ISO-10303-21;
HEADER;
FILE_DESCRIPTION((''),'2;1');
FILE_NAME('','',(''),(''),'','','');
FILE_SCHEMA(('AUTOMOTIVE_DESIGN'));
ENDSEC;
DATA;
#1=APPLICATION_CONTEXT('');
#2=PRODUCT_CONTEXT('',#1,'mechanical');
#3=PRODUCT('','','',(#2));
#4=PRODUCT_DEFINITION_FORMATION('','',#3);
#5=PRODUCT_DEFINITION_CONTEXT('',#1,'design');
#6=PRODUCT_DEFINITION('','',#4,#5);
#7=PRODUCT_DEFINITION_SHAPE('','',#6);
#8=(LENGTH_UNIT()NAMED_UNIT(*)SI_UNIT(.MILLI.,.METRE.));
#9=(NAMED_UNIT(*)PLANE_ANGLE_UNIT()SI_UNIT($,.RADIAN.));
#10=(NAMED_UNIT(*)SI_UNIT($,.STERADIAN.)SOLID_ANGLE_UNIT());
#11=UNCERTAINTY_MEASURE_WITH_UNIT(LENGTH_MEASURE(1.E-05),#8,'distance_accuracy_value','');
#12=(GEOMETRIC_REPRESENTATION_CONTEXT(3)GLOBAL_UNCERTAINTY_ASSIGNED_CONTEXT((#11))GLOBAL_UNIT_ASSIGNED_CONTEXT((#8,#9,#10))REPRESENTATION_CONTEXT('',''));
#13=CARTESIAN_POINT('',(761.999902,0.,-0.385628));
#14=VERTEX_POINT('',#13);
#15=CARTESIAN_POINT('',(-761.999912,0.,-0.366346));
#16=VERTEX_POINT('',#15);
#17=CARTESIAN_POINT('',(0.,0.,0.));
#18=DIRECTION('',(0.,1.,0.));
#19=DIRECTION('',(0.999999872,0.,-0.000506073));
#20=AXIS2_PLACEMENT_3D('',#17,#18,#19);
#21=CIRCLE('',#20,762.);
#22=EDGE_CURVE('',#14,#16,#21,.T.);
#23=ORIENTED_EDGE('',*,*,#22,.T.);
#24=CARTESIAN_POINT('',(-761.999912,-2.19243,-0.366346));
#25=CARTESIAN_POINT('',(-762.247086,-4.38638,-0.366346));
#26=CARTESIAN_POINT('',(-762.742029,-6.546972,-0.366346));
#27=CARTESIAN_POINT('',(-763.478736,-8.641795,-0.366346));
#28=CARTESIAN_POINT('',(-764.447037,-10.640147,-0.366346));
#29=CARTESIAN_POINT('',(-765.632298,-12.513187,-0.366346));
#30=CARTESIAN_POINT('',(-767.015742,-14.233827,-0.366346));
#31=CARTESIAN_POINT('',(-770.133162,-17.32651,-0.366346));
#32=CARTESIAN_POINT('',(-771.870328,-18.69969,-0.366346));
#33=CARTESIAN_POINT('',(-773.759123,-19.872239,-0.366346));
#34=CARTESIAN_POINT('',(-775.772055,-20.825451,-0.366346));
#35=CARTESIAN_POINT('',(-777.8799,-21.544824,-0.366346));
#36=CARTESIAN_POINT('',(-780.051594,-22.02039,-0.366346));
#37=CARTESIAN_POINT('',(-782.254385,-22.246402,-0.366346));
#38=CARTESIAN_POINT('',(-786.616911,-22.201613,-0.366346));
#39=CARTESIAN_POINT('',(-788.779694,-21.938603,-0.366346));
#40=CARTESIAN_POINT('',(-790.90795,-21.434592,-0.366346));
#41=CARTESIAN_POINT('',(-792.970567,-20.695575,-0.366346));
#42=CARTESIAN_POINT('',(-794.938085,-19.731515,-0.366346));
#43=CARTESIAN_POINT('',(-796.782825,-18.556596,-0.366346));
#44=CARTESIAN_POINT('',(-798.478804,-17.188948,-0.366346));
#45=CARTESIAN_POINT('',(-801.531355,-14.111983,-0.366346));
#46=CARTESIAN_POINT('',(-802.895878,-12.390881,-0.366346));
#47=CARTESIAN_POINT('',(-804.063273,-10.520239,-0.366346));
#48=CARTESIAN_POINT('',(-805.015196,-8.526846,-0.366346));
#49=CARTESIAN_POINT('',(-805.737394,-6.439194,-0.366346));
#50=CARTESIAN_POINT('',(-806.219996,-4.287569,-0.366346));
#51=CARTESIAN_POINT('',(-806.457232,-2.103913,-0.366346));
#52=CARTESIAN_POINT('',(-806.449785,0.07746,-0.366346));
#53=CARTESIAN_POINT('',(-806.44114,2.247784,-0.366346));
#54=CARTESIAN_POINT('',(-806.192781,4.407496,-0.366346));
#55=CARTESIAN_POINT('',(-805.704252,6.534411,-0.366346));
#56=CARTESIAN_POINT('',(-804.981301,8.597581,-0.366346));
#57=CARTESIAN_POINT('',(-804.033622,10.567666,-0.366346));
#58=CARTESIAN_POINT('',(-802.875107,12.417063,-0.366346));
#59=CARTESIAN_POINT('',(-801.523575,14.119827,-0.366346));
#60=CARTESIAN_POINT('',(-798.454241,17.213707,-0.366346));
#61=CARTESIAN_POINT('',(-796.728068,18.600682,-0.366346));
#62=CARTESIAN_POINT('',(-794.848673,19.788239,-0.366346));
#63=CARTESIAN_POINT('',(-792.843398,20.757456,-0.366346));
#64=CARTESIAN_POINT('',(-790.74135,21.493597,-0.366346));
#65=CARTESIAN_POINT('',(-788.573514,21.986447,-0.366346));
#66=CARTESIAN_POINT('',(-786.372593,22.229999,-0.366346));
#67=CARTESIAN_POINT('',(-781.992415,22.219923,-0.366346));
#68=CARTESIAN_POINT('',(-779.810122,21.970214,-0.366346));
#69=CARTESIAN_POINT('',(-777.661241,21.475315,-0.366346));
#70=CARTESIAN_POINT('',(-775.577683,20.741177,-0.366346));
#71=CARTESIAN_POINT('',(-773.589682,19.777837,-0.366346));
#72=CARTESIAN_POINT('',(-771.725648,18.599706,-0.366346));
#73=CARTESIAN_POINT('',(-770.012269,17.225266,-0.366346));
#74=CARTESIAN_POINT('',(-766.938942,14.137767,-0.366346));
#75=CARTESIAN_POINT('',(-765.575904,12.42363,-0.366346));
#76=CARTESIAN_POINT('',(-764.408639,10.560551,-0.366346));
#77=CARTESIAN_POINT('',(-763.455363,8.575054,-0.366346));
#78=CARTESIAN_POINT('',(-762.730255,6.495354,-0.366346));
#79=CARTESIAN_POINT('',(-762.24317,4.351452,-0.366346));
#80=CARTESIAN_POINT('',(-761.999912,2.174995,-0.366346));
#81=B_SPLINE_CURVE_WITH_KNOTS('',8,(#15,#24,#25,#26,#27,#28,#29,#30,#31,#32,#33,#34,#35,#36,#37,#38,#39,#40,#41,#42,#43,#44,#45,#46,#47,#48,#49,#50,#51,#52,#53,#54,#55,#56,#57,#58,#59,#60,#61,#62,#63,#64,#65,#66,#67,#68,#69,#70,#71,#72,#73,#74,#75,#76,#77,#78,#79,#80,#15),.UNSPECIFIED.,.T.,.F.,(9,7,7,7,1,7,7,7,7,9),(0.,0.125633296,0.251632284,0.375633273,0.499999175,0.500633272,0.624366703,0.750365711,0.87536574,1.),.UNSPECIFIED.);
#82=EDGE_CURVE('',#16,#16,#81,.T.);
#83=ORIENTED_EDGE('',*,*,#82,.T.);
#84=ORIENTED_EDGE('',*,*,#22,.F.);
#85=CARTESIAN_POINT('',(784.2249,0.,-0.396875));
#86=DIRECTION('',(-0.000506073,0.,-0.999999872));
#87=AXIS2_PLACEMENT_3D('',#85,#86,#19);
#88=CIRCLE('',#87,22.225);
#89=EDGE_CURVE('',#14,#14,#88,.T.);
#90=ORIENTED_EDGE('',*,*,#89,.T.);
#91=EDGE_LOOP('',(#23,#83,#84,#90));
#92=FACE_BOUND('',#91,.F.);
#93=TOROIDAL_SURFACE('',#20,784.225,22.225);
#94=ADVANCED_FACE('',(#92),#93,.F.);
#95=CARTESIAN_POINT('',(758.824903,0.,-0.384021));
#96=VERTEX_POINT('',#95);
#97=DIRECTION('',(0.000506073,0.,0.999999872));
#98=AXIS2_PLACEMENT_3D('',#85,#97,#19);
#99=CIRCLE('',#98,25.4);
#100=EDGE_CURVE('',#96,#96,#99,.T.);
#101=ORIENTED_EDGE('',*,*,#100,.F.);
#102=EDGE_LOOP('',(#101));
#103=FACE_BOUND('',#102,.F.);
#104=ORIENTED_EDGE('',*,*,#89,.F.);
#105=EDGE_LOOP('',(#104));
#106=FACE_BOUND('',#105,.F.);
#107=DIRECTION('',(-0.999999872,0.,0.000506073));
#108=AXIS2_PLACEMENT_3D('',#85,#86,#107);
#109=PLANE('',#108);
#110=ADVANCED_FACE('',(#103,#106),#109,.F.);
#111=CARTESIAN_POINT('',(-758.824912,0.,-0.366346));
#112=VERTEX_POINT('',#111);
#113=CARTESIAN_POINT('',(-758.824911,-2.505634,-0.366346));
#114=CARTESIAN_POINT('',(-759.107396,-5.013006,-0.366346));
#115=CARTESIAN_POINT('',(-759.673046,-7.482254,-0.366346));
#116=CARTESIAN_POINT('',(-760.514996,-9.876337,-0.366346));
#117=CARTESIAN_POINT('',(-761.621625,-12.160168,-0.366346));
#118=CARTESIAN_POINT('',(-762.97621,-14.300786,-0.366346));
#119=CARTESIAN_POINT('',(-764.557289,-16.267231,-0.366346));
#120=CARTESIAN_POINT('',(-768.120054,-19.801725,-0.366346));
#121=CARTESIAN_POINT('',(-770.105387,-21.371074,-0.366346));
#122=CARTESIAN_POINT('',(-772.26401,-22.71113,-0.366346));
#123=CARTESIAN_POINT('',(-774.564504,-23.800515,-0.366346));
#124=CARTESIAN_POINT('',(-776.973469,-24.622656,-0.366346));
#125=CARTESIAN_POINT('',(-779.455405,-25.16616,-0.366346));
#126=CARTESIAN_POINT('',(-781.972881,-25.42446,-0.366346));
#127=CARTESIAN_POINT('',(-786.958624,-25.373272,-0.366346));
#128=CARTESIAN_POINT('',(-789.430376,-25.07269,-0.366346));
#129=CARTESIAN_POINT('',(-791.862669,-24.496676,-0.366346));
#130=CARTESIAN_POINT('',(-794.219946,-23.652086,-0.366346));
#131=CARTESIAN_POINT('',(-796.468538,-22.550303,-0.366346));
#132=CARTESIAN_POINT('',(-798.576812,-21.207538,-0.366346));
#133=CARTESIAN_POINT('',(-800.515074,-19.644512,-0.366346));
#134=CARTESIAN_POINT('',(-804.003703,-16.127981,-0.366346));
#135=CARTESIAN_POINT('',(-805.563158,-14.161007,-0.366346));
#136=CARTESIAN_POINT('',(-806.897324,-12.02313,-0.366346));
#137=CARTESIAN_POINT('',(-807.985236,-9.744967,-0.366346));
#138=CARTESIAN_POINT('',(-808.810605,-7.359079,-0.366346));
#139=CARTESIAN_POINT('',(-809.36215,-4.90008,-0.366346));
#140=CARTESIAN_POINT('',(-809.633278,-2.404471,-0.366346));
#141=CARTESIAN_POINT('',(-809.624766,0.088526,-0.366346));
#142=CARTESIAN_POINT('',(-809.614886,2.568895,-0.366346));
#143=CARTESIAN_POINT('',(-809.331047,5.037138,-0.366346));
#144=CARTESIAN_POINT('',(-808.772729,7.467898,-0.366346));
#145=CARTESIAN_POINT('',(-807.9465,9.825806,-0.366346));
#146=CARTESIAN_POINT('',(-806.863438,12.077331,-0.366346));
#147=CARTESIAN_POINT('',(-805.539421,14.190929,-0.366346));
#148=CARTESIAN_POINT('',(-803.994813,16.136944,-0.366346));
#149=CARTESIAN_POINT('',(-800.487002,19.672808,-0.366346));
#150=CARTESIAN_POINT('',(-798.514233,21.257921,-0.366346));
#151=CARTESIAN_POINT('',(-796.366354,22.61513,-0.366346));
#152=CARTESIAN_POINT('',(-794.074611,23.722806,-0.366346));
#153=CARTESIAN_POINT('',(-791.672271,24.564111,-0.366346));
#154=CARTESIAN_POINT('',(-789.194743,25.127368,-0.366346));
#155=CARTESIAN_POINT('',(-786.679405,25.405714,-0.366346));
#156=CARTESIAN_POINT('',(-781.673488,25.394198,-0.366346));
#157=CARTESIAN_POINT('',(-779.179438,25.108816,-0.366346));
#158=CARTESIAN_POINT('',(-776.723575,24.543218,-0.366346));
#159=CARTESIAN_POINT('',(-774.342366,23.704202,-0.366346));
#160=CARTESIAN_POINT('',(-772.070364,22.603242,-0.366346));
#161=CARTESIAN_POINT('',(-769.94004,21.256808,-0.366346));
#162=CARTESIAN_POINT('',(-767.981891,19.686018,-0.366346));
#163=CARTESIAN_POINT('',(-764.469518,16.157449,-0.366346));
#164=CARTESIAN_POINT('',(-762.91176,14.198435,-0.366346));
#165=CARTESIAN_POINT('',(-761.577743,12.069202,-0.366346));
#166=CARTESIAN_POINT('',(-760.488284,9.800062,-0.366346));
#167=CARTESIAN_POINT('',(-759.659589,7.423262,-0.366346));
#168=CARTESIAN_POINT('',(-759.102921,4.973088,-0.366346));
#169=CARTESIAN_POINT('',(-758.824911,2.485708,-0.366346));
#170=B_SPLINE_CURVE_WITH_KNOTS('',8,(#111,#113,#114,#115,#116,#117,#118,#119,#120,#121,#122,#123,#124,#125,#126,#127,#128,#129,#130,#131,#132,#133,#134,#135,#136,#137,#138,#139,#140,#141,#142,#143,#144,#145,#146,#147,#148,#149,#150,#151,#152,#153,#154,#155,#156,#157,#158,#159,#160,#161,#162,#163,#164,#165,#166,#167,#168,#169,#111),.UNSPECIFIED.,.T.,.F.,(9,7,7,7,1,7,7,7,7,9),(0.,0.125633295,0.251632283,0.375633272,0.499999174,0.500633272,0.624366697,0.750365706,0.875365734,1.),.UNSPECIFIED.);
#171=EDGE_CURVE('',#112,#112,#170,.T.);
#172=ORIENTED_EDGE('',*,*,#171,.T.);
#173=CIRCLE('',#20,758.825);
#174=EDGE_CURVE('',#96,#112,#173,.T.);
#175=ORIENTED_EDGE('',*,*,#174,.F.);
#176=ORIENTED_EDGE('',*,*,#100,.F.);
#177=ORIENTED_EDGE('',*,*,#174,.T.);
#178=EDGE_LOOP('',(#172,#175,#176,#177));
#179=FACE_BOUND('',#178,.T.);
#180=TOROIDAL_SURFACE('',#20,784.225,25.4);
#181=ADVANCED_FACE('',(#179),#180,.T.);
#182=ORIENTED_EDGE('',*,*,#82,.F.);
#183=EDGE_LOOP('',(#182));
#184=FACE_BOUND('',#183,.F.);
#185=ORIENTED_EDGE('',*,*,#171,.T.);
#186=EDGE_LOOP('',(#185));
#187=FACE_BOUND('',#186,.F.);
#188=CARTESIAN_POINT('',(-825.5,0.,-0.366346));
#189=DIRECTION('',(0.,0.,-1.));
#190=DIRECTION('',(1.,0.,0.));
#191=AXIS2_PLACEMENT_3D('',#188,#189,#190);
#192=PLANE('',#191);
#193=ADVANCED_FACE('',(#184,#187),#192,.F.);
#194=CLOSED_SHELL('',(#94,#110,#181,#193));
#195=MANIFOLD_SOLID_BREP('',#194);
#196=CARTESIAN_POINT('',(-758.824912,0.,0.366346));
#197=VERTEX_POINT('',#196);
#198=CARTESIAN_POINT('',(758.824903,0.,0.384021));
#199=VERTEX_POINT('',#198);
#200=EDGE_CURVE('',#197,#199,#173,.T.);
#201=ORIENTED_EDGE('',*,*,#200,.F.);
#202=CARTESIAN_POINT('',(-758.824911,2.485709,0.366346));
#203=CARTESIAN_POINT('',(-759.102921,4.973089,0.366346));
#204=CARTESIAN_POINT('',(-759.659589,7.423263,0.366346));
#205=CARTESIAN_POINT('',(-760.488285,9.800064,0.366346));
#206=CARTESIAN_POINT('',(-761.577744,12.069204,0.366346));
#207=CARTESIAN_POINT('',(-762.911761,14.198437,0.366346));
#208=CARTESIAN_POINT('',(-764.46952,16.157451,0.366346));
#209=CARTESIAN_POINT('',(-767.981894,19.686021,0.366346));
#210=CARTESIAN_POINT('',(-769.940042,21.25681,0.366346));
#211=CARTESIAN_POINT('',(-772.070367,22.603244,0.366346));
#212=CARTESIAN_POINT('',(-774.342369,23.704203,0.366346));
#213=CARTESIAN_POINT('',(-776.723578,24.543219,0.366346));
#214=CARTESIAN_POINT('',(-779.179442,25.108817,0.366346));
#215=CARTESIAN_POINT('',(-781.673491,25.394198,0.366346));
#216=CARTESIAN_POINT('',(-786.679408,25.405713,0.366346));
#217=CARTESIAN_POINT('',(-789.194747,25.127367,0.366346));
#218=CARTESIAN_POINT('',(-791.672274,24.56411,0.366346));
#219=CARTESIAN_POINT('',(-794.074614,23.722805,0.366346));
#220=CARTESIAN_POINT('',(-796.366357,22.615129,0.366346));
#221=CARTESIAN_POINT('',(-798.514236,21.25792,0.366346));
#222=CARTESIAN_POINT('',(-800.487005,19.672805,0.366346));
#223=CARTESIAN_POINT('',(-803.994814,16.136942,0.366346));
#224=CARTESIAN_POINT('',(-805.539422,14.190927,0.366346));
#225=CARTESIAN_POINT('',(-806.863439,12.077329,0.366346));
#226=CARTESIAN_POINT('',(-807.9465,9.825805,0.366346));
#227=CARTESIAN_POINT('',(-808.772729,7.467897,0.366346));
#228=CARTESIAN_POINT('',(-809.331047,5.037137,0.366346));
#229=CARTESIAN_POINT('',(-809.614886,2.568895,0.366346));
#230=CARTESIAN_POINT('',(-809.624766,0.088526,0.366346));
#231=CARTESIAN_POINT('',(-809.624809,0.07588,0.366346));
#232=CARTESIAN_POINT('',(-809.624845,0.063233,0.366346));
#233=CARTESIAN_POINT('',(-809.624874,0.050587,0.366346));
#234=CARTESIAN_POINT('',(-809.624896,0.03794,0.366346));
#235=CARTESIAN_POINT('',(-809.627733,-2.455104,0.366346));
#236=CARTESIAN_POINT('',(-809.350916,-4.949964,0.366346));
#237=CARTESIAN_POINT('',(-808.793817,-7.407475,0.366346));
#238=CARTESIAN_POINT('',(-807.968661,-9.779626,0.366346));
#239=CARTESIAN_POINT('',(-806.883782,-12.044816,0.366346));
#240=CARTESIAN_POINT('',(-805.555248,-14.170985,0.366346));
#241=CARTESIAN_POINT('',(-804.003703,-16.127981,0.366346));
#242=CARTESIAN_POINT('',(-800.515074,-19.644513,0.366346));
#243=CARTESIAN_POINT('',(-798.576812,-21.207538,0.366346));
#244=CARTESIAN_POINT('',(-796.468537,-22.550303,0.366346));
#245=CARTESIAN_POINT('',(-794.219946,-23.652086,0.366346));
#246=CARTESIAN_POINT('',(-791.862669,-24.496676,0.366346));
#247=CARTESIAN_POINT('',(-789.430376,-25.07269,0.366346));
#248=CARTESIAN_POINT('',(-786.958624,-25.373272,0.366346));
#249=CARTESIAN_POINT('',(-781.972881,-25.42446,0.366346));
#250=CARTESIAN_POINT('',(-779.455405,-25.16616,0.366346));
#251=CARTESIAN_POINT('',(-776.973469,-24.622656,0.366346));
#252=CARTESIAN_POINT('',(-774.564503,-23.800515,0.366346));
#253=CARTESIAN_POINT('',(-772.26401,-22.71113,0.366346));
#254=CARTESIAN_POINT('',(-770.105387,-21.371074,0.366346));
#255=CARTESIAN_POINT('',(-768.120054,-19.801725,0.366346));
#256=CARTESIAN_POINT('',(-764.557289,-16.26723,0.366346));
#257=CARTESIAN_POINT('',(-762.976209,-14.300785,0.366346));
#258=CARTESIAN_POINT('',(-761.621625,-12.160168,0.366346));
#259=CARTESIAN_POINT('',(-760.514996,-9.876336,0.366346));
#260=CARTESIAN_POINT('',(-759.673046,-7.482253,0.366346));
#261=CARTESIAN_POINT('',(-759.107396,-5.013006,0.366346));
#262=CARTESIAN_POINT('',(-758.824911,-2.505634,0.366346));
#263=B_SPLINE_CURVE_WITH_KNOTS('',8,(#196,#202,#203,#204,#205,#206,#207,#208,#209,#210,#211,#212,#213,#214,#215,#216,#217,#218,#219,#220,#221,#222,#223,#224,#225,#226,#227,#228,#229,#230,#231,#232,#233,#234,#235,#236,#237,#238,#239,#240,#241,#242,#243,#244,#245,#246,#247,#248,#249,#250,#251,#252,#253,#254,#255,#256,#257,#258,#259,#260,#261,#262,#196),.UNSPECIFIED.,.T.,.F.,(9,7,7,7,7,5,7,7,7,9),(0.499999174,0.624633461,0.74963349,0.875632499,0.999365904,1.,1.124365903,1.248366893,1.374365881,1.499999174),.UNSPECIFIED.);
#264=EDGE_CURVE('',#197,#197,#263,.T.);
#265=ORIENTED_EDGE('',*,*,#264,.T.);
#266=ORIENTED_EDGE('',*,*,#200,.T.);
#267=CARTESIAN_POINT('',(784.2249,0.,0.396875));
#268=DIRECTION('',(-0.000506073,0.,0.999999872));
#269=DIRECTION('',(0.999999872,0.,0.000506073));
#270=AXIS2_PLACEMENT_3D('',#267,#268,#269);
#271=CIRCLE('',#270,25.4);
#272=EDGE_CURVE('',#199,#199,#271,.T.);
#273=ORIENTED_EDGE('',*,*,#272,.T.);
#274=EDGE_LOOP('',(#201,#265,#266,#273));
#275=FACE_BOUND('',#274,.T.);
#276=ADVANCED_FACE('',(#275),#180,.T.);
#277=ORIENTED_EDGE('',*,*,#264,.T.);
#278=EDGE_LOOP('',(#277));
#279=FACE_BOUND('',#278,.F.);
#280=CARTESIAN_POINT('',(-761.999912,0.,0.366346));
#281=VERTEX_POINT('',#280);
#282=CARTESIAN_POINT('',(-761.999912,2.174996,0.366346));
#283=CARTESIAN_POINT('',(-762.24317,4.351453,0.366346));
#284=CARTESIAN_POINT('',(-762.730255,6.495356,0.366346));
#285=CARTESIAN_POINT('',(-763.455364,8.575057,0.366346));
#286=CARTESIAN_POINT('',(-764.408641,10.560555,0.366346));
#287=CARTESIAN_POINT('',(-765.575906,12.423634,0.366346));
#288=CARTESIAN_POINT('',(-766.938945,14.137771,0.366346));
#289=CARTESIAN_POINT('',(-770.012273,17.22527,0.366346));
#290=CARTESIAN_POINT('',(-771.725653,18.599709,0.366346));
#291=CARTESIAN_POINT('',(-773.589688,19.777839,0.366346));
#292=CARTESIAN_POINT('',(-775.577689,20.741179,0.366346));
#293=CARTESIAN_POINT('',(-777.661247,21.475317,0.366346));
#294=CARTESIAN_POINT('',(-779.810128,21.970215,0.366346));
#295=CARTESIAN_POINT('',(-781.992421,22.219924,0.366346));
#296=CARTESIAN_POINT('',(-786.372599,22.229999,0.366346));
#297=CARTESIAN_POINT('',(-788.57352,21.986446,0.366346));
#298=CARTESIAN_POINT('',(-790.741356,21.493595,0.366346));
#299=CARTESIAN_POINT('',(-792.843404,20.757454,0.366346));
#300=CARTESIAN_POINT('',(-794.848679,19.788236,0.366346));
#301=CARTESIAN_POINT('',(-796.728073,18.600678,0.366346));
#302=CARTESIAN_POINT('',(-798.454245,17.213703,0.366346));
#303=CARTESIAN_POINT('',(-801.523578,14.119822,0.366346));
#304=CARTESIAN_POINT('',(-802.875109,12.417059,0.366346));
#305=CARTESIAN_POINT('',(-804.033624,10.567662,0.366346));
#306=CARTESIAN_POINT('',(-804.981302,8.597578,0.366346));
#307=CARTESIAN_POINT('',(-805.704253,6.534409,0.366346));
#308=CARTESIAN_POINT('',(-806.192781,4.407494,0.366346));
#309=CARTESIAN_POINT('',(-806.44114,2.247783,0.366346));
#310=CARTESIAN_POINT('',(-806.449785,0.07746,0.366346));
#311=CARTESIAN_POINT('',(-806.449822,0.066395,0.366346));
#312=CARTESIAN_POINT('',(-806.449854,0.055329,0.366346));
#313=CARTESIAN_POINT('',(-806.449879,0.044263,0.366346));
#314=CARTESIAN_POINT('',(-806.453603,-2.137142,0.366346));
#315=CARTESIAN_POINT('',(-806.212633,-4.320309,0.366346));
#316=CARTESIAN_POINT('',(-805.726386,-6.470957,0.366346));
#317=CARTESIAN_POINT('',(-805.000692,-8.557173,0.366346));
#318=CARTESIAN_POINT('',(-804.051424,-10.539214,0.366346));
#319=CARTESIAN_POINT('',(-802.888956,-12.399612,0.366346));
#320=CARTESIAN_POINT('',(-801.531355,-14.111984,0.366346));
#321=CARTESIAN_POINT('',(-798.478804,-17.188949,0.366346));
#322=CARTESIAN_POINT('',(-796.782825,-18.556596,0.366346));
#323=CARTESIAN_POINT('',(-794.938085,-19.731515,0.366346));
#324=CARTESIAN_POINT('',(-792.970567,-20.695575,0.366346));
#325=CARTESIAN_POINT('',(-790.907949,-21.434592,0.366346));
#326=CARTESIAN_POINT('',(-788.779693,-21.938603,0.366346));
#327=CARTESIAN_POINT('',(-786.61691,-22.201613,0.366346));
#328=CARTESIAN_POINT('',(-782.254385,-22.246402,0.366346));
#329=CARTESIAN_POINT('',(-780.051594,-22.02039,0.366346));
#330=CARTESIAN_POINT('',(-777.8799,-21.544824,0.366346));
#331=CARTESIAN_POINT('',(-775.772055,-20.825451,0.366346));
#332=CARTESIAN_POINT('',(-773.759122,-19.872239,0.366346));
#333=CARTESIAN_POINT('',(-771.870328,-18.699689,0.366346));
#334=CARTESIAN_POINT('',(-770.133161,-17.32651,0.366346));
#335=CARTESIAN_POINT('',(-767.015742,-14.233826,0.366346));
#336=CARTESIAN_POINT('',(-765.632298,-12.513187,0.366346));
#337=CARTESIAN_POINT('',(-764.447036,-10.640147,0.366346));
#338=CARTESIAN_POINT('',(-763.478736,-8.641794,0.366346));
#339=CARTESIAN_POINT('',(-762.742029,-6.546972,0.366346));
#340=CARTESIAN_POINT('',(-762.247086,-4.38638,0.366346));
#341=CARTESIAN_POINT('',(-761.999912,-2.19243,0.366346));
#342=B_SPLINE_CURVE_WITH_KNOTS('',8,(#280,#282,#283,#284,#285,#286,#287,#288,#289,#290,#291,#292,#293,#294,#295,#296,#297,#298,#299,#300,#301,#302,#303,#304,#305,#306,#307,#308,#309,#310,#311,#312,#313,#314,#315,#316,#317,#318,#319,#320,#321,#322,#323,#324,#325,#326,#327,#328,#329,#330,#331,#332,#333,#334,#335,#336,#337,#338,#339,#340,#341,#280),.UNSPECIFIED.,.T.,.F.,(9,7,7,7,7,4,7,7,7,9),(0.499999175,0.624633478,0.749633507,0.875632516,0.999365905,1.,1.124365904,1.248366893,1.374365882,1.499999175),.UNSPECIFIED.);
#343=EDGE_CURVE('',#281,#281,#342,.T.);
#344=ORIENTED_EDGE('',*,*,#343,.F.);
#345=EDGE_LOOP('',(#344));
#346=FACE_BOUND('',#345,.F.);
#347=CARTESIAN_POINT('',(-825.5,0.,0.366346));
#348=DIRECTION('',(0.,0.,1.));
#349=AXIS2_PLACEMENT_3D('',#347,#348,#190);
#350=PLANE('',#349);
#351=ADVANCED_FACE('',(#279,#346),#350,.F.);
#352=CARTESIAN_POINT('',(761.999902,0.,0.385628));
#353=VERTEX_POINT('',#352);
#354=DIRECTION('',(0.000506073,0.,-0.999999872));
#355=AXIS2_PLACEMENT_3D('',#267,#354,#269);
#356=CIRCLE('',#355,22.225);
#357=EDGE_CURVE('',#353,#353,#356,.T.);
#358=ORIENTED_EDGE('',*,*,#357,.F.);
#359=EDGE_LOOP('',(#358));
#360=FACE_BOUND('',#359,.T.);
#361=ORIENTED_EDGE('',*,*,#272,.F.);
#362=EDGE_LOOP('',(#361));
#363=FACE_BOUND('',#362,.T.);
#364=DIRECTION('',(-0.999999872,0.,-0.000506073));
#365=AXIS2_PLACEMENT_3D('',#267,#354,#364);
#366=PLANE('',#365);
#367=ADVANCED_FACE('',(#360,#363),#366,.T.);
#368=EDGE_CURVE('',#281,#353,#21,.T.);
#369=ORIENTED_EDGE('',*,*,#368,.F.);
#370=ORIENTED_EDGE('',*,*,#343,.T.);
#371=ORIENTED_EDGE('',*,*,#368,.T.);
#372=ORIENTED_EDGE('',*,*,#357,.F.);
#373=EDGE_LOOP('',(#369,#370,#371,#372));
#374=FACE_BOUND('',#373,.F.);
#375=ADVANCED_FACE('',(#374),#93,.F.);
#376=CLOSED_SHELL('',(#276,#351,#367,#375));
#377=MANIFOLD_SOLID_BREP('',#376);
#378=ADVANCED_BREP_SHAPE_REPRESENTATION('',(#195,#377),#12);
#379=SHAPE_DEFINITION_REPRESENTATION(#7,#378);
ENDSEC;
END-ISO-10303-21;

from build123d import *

# Parameters (mm, degrees)
SWEEP2_PROFILE_R        = 25.4
SHELL1_T                = -3.175
SKETCH25_W              = 101.6
SKETCH25_H              = 0.732692402
CUT_EXTRUDE1_DEPTH      = 1146.264354452
CUT_EXTRUDE1_DEPTH_BACK = 1146.264354452


with BuildPart() as part:
    # Sweep2: sweep along a path in Sketch24
    with BuildLine(Plane(origin=(0, 0, 0), x_dir=(1, 0, 0), z_dir=(0, 1, 0))) as sweep2_path:
        ThreePointArc((784.224899576, 0.396875), (-784.225, 0), (784.224899576, -0.396875))
    # Sweep2 profile (on start of the path) → Sweep2 (sweep)
    with BuildSketch(Plane(origin=(784.224899576, 0, -0.396875), x_dir=(-0.9999998719451145, 0, 0.0005060728747702501), z_dir=(-0.0005060728747702501, 0, -0.9999998719451145))):
        Circle(SWEEP2_PROFILE_R)
    sweep(path=sweep2_path.line)

    # Shell1
    shell1_openings = [part.faces().sort_by_distance(p)[0] for p in [
        (784.224899576, 0, 0.396875),
        (784.224899576, 0, -0.396875),
    ]]
    offset(amount=SHELL1_T, openings=shell1_openings, kind=Kind.INTERSECTION)

    # Sketch25 → Cut-Extrude1 (cut, two sides)
    with BuildSketch(Plane(origin=(0, 0, 0), x_dir=(1, 0, 0), z_dir=(0, 1, 0))) as cut_extrude1_sk:
        with Locations((-774.7, 0)):
            Rectangle(SKETCH25_W, SKETCH25_H)
    extrude(amount=CUT_EXTRUDE1_DEPTH, mode=Mode.SUBTRACT)
    extrude(cut_extrude1_sk.sketch, amount=-CUT_EXTRUDE1_DEPTH_BACK, mode=Mode.SUBTRACT)


with BuildPart() as cut_extrude1_piece_1:
    # of the separate pieces the step leaves, piece 1, a body of its own (cut_extrude1_pieces)
    add(part.part.solids().sort_by_distance((-758.824911568, 0, 0.366346201))[0])


with BuildPart() as cut_extrude1_piece_2:
    # of the separate pieces the step leaves, piece 2, a body of its own (cut_extrude1_pieces)
    add(part.part.solids().sort_by_distance((758.824902829, 0, -0.384020749))[0])


solid = Compound([cut_extrude1_piece_1.part, cut_extrude1_piece_2.part])
